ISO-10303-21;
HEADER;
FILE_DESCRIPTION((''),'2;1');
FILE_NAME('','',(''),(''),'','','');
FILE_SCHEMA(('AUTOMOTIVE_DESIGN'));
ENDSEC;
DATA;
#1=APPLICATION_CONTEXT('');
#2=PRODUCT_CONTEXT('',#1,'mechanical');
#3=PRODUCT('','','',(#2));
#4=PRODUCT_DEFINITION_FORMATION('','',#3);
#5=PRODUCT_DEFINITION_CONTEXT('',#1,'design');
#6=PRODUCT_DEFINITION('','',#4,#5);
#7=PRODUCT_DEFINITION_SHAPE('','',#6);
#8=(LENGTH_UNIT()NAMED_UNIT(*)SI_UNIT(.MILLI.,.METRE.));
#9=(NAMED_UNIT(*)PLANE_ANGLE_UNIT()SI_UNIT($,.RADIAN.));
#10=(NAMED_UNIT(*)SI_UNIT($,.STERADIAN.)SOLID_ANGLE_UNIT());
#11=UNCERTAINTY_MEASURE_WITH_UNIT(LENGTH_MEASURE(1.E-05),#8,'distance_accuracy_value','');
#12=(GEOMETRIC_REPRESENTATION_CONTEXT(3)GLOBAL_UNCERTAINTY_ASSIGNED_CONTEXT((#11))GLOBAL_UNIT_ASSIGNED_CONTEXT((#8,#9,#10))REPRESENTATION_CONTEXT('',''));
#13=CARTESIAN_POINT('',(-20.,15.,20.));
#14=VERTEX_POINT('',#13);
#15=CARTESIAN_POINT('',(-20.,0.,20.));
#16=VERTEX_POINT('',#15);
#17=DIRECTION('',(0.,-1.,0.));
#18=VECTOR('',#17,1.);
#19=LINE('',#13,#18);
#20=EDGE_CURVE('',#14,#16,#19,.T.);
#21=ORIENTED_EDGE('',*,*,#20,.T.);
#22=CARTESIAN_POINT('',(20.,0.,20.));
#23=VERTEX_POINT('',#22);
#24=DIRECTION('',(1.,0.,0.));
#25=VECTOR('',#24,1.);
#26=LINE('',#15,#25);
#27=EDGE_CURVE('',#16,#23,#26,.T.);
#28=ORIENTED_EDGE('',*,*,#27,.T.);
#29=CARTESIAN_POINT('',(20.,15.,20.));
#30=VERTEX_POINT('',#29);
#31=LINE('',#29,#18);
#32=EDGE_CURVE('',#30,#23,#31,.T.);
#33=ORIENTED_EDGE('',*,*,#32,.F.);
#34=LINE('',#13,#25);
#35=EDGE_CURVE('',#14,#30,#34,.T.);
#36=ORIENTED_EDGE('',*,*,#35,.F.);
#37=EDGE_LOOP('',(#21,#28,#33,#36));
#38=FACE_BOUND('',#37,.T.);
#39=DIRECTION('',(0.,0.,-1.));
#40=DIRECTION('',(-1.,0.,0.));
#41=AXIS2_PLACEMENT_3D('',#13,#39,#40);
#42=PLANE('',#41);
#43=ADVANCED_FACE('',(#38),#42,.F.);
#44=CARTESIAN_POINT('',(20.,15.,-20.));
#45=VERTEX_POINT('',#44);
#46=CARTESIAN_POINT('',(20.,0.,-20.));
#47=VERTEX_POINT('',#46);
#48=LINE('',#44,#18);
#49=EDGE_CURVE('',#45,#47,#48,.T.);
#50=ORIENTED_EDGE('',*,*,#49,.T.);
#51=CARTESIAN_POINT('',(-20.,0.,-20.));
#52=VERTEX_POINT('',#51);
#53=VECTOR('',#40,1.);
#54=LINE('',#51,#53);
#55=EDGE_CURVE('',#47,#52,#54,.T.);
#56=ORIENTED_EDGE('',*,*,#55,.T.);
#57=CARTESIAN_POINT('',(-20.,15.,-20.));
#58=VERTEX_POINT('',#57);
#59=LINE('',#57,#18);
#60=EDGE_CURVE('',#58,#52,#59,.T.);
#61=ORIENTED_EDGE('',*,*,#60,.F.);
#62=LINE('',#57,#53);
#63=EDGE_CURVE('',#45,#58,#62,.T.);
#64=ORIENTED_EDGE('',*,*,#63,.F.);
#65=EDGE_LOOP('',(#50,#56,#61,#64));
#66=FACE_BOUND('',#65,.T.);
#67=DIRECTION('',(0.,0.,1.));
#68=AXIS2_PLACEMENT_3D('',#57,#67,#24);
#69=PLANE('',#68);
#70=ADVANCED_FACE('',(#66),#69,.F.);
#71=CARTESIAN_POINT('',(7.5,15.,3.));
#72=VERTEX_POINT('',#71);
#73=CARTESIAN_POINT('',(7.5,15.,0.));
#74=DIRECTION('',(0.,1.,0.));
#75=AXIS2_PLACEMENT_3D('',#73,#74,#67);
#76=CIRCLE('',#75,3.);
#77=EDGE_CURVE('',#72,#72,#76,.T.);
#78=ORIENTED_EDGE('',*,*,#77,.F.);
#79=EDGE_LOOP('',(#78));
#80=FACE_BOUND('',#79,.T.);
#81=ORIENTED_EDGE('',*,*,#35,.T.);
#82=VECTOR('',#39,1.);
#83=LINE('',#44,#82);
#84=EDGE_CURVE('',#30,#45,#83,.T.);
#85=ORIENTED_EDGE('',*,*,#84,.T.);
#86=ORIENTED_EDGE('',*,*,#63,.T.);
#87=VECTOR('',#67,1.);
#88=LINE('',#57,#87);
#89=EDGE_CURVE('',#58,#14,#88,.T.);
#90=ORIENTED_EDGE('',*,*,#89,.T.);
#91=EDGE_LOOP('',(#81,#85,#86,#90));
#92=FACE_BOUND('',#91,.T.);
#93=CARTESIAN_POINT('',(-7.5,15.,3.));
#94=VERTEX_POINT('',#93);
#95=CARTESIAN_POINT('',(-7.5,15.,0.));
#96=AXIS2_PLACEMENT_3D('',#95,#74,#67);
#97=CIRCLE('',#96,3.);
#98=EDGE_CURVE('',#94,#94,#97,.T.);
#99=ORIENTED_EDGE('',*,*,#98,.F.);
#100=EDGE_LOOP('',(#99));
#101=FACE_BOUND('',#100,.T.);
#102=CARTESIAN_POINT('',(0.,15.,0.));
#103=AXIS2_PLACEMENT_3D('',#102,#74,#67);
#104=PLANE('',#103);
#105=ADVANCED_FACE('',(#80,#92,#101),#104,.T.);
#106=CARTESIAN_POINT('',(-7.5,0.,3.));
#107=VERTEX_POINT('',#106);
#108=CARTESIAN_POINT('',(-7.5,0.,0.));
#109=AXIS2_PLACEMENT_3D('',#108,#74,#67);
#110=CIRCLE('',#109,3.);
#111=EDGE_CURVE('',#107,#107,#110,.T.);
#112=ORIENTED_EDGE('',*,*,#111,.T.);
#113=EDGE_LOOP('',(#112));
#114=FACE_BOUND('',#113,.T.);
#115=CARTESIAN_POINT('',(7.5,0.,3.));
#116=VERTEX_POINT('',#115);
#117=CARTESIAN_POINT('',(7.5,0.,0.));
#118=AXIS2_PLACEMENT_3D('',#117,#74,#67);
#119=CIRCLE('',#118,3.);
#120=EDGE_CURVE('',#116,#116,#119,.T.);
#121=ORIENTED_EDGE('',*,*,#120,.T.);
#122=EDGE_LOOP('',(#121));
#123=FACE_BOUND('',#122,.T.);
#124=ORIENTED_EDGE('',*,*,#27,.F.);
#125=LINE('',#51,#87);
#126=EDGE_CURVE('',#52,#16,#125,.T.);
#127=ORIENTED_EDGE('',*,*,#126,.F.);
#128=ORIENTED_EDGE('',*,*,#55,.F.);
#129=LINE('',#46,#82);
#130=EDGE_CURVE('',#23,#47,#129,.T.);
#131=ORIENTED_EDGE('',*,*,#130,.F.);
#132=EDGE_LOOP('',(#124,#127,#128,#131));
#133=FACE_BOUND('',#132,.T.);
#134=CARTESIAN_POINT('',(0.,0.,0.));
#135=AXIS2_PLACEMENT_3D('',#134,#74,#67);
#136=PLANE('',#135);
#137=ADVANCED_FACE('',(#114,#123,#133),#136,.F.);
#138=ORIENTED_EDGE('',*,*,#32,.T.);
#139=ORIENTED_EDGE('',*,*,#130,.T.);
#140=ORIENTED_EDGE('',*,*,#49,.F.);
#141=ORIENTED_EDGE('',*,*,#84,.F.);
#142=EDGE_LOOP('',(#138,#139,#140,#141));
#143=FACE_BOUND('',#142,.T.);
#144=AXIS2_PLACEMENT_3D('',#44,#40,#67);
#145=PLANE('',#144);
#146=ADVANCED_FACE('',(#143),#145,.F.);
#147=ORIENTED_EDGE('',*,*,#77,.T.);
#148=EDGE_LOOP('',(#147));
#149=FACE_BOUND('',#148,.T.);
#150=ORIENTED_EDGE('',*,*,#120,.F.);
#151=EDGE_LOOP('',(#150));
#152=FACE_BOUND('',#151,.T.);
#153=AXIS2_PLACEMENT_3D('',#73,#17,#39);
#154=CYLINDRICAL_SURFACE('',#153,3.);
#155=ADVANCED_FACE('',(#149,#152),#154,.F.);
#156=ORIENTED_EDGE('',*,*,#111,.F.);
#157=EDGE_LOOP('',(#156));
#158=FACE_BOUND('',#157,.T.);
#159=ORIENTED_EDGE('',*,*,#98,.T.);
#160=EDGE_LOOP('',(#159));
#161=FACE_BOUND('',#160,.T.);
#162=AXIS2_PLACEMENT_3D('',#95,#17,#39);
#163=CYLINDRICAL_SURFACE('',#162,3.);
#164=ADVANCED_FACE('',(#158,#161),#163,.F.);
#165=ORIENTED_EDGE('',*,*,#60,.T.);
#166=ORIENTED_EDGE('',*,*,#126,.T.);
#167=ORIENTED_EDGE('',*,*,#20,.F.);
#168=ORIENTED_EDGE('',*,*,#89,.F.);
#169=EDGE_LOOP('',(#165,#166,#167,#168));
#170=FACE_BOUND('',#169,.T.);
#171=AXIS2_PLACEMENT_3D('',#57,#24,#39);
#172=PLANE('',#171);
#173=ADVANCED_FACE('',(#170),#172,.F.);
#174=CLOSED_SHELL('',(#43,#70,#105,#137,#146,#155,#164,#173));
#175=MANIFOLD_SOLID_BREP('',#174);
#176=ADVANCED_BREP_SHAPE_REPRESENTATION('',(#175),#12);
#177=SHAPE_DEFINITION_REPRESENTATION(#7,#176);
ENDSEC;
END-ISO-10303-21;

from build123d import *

# Parameters (mm, degrees)
SKETCH1_W           = 40
SKETCH1_H           = 40
SKETCH1_R           = 3
BOSS_EXTRUDE1_DEPTH = 15


with BuildPart() as part:
    # Sketch1 → Boss-Extrude1 (new body)
    with BuildSketch(Plane(origin=(0, 0, 0), x_dir=(1, 0, 0), z_dir=(0, 1, 0))):
        Rectangle(SKETCH1_W, SKETCH1_H)
        with Locations(Location((-7.5, 0, 0), (0, 0, 270))):
            Circle(SKETCH1_R, mode=Mode.SUBTRACT)
        with Locations(Location((7.5, 0, 0), (0, 0, 270))):
            Circle(SKETCH1_R, mode=Mode.SUBTRACT)
    extrude(amount=BOSS_EXTRUDE1_DEPTH)


solid = part.part
